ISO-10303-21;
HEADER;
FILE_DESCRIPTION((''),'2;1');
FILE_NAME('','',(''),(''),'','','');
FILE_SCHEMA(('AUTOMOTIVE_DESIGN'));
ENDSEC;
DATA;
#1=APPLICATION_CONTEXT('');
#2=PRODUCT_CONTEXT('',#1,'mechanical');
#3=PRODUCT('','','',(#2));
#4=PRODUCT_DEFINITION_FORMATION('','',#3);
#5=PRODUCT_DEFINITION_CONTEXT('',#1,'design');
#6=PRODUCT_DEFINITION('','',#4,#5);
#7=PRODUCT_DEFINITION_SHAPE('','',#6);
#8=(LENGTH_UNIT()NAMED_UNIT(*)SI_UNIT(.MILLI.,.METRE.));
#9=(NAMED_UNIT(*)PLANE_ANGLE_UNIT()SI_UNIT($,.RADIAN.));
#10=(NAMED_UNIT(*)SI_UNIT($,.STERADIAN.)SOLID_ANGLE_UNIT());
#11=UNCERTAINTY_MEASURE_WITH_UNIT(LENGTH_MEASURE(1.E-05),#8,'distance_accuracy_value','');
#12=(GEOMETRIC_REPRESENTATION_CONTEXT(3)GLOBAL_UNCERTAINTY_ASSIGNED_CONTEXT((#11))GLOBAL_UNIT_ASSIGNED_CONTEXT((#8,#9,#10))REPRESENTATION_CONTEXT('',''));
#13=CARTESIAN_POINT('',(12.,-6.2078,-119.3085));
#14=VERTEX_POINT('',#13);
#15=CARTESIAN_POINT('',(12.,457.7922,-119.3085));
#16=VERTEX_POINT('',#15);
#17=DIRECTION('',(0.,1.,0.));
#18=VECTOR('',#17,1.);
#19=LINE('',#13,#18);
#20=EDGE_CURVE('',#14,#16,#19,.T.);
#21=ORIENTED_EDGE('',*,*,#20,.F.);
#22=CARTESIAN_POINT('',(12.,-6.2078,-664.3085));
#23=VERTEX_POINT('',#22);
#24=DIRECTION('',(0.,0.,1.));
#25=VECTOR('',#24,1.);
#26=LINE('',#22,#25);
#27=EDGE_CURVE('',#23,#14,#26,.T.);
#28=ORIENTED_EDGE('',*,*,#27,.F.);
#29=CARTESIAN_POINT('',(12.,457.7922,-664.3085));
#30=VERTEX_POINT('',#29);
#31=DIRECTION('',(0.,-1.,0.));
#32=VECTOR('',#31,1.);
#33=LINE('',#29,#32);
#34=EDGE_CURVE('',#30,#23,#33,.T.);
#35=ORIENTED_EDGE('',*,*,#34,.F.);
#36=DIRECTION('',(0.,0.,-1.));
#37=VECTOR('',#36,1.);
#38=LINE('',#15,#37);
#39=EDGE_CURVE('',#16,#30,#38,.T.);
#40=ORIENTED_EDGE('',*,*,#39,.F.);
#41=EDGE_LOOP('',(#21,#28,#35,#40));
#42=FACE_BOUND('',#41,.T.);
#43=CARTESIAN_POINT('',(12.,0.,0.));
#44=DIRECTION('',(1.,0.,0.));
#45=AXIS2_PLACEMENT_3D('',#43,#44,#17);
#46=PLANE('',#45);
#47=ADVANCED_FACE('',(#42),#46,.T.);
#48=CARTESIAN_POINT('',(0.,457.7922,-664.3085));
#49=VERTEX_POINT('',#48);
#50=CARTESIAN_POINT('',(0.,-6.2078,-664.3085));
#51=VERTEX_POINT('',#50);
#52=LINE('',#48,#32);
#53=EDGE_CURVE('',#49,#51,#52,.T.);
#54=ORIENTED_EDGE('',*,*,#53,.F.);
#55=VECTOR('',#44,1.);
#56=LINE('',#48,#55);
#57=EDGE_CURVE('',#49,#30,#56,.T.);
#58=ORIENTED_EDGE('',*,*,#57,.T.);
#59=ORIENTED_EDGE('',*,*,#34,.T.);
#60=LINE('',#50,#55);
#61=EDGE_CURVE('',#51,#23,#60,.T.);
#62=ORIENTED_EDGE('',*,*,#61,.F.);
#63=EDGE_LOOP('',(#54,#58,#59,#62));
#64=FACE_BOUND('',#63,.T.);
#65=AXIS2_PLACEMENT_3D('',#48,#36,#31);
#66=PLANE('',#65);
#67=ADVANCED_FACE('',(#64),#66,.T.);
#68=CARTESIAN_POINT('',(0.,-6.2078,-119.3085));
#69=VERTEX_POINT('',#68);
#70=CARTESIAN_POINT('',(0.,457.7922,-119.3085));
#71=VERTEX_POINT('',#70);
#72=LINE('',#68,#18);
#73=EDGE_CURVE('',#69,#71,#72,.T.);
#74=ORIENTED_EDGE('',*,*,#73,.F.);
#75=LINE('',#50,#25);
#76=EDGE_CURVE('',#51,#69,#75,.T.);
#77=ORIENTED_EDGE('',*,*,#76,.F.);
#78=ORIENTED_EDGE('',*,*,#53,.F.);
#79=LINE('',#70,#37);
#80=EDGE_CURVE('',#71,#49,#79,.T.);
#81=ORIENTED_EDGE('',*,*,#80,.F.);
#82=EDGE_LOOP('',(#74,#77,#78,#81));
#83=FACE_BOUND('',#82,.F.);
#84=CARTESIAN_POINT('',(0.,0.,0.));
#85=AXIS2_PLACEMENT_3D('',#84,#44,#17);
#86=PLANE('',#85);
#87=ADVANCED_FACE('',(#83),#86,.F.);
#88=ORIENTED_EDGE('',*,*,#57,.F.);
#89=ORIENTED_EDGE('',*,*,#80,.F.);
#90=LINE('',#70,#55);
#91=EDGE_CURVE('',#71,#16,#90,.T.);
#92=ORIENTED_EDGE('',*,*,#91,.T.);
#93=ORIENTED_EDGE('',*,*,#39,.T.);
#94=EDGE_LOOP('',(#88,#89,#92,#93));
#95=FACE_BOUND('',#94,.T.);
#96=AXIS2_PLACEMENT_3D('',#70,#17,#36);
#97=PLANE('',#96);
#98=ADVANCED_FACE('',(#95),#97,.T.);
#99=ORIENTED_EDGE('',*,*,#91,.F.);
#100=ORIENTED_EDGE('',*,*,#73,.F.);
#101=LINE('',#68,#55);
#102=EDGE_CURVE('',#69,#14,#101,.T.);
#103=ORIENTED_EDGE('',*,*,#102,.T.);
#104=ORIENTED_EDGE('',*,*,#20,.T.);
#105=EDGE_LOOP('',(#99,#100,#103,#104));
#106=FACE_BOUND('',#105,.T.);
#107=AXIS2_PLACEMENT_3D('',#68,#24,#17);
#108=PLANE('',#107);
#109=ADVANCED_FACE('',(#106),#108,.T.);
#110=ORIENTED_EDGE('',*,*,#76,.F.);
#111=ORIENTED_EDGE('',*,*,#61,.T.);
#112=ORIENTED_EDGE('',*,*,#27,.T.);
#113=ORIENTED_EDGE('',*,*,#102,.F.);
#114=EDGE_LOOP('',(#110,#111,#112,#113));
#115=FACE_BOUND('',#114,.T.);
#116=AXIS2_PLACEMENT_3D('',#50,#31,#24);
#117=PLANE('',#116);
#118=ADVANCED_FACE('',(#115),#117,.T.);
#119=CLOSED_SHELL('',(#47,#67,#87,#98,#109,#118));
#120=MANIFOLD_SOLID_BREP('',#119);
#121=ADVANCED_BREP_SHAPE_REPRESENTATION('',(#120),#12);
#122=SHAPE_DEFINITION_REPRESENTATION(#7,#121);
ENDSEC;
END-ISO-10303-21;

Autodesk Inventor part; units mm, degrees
ref_plane "YZ Plane" through (0, 0, 0) normal (1, 0, 0) x (0, 1, 0)
ref_plane "XZ Plane" through (0, 0, 0) normal (0, 1, 0) x (-1, 0, 0)
ref_plane "XY Plane" through (0, 0, 0) normal (0, 0, 1) x (1, 0, 0)
sketch "Sketch1" plane through (0, 0, 0) normal (1, 0, 0) x (0, 1, 0)
  line L0 (-6.2078, -119.3085) -> (457.7922, -119.3085)
  line L1 (457.7922, -119.3085) -> (457.7922, -664.3085)
  line L2 (457.7922, -664.3085) -> (-6.2078, -664.3085)
  line L3 (-6.2078, -664.3085) -> (-6.2078, -119.3085)
  point P0 (0, 0)
  dimension "d0" = 464
  dimension "b" = 545
extrude "Extrusion1" add sketch "Sketch1" along normal blind 12
properties part number "CUT PART J-01" material "Wood (Birch)"
